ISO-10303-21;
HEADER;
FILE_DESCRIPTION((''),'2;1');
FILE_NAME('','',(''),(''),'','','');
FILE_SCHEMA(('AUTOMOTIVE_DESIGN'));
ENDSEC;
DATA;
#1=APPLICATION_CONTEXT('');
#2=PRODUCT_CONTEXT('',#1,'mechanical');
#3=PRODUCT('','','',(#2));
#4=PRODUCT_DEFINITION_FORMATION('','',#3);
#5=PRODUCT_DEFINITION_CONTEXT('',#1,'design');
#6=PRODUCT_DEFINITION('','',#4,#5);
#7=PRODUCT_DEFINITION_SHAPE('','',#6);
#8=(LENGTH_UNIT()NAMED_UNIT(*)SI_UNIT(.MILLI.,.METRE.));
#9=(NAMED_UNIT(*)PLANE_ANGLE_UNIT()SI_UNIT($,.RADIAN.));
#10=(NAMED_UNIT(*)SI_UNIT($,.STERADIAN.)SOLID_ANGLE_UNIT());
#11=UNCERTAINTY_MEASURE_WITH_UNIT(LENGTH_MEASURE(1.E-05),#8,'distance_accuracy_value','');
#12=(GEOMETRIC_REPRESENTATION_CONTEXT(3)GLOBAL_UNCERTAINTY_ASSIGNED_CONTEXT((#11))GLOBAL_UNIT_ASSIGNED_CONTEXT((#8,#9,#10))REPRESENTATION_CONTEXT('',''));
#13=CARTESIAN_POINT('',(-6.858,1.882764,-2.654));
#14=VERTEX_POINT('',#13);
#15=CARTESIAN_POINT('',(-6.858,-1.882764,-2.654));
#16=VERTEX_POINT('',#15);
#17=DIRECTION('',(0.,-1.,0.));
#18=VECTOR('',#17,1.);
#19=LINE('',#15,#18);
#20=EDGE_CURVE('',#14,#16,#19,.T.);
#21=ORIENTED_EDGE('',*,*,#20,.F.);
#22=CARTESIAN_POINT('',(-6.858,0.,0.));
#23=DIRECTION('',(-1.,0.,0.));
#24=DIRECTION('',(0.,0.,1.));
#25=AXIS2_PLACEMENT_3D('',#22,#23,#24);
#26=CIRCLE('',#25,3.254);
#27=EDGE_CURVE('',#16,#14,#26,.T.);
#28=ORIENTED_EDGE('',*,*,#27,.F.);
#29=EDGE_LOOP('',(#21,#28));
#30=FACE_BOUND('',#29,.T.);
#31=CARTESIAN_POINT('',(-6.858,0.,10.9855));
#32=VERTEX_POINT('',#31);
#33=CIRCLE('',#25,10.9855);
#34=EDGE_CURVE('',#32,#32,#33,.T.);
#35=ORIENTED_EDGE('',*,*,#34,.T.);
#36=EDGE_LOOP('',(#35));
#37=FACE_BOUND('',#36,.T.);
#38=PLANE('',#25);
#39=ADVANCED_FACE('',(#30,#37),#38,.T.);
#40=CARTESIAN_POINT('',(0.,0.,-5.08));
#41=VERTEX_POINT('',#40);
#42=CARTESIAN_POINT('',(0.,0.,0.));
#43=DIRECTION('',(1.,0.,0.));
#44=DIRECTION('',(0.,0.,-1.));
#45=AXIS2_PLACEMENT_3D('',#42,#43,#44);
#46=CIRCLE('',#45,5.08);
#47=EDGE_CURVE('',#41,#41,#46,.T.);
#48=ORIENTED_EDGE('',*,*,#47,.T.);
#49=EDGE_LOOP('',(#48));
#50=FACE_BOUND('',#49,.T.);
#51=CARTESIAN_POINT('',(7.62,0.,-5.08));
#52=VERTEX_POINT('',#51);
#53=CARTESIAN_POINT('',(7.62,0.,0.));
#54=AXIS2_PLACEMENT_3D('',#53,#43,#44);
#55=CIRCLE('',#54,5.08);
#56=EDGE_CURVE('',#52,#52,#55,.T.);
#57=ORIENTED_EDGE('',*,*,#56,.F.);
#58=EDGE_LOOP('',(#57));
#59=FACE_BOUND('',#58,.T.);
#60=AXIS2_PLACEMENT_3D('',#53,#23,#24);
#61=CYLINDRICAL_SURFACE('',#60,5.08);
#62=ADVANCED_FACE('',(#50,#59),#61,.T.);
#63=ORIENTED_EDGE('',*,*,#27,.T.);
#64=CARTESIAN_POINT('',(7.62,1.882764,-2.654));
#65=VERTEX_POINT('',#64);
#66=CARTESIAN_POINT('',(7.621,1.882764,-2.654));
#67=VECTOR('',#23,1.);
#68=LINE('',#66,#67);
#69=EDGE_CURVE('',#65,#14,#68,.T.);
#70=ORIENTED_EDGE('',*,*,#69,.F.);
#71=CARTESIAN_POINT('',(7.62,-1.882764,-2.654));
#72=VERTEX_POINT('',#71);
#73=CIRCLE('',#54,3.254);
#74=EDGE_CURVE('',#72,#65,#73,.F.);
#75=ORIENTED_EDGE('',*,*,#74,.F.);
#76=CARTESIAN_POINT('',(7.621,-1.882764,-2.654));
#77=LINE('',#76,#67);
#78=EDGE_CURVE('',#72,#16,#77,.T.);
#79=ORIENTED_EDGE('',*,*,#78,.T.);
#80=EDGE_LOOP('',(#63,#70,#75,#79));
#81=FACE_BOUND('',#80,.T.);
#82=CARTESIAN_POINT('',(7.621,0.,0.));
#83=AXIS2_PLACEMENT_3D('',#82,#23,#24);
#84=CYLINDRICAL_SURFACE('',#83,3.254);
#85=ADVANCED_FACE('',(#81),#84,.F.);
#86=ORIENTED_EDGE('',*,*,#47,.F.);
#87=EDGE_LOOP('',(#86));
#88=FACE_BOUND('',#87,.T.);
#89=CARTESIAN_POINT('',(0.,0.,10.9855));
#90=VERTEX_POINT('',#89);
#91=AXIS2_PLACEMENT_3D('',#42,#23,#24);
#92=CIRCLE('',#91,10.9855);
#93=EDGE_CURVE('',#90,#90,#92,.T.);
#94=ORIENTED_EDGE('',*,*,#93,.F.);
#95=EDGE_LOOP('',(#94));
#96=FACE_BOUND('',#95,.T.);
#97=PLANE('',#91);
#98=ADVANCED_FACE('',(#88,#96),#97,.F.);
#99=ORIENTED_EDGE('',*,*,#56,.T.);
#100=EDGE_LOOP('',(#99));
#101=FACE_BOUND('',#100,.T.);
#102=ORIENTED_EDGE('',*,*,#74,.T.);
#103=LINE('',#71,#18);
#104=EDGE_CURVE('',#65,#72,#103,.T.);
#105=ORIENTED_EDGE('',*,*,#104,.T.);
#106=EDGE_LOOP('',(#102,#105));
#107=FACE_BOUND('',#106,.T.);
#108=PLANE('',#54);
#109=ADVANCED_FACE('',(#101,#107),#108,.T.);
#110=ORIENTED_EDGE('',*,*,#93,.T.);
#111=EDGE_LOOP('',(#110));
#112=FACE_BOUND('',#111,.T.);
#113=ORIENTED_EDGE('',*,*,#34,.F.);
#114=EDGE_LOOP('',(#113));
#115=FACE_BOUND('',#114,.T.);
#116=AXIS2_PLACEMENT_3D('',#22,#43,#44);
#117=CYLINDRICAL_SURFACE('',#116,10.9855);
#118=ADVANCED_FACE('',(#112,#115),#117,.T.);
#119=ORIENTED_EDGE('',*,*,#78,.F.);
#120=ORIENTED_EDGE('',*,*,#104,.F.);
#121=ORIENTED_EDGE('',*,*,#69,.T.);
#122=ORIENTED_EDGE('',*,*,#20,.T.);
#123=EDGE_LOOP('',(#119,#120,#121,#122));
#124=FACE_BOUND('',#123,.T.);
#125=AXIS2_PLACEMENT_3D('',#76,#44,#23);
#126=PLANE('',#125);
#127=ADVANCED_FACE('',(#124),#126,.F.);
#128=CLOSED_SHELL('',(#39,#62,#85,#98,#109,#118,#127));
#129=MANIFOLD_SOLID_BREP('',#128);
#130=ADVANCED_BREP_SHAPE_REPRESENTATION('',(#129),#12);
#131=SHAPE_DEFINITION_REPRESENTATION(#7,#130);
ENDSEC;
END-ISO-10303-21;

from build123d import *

# Parameters (mm, degrees)
SKETCH1_R           = 5.08
BOSS_EXTRUDE1_DEPTH = 7.62
SKETCH2_R           = 10.9855
BOSS_EXTRUDE2_DEPTH = 6.858
CUT_EXTRUDE1_REACH  = 16.478


with BuildPart() as part:
    # Sketch1 → Boss-Extrude1 (new body)
    with BuildSketch(Plane(origin=(0, 0, 0), x_dir=(0, 0, -1), z_dir=(1, 0, 0))):
        Circle(SKETCH1_R)
    extrude(amount=BOSS_EXTRUDE1_DEPTH)

    # Sketch2 → Boss-Extrude2 (add)
    with BuildSketch(Plane.ZY):
        Circle(SKETCH2_R)
    extrude(amount=BOSS_EXTRUDE2_DEPTH)

    # Sketch3 → Cut-Extrude1 (cut, up to next)
    with BuildSketch(Plane.ZY.offset(6.858), mode=Mode.PRIVATE) as cut_extrude1_sk1:
        with BuildLine():
            Line((-2.654, -1.882763926), (-2.654, 1.882763926))
            ThreePointArc((-2.654, 1.882763926), (3.254, 0), (-2.654, -1.882763926))
        make_face()
    cut_extrude1_tool1 = extrude(cut_extrude1_sk1.sketch, amount=-CUT_EXTRUDE1_REACH, mode=Mode.PRIVATE) & part.part
    add(cut_extrude1_tool1.solids().sort_by_distance((-6.858, 0, 0.140232))[0], mode=Mode.SUBTRACT)


solid = part.part
